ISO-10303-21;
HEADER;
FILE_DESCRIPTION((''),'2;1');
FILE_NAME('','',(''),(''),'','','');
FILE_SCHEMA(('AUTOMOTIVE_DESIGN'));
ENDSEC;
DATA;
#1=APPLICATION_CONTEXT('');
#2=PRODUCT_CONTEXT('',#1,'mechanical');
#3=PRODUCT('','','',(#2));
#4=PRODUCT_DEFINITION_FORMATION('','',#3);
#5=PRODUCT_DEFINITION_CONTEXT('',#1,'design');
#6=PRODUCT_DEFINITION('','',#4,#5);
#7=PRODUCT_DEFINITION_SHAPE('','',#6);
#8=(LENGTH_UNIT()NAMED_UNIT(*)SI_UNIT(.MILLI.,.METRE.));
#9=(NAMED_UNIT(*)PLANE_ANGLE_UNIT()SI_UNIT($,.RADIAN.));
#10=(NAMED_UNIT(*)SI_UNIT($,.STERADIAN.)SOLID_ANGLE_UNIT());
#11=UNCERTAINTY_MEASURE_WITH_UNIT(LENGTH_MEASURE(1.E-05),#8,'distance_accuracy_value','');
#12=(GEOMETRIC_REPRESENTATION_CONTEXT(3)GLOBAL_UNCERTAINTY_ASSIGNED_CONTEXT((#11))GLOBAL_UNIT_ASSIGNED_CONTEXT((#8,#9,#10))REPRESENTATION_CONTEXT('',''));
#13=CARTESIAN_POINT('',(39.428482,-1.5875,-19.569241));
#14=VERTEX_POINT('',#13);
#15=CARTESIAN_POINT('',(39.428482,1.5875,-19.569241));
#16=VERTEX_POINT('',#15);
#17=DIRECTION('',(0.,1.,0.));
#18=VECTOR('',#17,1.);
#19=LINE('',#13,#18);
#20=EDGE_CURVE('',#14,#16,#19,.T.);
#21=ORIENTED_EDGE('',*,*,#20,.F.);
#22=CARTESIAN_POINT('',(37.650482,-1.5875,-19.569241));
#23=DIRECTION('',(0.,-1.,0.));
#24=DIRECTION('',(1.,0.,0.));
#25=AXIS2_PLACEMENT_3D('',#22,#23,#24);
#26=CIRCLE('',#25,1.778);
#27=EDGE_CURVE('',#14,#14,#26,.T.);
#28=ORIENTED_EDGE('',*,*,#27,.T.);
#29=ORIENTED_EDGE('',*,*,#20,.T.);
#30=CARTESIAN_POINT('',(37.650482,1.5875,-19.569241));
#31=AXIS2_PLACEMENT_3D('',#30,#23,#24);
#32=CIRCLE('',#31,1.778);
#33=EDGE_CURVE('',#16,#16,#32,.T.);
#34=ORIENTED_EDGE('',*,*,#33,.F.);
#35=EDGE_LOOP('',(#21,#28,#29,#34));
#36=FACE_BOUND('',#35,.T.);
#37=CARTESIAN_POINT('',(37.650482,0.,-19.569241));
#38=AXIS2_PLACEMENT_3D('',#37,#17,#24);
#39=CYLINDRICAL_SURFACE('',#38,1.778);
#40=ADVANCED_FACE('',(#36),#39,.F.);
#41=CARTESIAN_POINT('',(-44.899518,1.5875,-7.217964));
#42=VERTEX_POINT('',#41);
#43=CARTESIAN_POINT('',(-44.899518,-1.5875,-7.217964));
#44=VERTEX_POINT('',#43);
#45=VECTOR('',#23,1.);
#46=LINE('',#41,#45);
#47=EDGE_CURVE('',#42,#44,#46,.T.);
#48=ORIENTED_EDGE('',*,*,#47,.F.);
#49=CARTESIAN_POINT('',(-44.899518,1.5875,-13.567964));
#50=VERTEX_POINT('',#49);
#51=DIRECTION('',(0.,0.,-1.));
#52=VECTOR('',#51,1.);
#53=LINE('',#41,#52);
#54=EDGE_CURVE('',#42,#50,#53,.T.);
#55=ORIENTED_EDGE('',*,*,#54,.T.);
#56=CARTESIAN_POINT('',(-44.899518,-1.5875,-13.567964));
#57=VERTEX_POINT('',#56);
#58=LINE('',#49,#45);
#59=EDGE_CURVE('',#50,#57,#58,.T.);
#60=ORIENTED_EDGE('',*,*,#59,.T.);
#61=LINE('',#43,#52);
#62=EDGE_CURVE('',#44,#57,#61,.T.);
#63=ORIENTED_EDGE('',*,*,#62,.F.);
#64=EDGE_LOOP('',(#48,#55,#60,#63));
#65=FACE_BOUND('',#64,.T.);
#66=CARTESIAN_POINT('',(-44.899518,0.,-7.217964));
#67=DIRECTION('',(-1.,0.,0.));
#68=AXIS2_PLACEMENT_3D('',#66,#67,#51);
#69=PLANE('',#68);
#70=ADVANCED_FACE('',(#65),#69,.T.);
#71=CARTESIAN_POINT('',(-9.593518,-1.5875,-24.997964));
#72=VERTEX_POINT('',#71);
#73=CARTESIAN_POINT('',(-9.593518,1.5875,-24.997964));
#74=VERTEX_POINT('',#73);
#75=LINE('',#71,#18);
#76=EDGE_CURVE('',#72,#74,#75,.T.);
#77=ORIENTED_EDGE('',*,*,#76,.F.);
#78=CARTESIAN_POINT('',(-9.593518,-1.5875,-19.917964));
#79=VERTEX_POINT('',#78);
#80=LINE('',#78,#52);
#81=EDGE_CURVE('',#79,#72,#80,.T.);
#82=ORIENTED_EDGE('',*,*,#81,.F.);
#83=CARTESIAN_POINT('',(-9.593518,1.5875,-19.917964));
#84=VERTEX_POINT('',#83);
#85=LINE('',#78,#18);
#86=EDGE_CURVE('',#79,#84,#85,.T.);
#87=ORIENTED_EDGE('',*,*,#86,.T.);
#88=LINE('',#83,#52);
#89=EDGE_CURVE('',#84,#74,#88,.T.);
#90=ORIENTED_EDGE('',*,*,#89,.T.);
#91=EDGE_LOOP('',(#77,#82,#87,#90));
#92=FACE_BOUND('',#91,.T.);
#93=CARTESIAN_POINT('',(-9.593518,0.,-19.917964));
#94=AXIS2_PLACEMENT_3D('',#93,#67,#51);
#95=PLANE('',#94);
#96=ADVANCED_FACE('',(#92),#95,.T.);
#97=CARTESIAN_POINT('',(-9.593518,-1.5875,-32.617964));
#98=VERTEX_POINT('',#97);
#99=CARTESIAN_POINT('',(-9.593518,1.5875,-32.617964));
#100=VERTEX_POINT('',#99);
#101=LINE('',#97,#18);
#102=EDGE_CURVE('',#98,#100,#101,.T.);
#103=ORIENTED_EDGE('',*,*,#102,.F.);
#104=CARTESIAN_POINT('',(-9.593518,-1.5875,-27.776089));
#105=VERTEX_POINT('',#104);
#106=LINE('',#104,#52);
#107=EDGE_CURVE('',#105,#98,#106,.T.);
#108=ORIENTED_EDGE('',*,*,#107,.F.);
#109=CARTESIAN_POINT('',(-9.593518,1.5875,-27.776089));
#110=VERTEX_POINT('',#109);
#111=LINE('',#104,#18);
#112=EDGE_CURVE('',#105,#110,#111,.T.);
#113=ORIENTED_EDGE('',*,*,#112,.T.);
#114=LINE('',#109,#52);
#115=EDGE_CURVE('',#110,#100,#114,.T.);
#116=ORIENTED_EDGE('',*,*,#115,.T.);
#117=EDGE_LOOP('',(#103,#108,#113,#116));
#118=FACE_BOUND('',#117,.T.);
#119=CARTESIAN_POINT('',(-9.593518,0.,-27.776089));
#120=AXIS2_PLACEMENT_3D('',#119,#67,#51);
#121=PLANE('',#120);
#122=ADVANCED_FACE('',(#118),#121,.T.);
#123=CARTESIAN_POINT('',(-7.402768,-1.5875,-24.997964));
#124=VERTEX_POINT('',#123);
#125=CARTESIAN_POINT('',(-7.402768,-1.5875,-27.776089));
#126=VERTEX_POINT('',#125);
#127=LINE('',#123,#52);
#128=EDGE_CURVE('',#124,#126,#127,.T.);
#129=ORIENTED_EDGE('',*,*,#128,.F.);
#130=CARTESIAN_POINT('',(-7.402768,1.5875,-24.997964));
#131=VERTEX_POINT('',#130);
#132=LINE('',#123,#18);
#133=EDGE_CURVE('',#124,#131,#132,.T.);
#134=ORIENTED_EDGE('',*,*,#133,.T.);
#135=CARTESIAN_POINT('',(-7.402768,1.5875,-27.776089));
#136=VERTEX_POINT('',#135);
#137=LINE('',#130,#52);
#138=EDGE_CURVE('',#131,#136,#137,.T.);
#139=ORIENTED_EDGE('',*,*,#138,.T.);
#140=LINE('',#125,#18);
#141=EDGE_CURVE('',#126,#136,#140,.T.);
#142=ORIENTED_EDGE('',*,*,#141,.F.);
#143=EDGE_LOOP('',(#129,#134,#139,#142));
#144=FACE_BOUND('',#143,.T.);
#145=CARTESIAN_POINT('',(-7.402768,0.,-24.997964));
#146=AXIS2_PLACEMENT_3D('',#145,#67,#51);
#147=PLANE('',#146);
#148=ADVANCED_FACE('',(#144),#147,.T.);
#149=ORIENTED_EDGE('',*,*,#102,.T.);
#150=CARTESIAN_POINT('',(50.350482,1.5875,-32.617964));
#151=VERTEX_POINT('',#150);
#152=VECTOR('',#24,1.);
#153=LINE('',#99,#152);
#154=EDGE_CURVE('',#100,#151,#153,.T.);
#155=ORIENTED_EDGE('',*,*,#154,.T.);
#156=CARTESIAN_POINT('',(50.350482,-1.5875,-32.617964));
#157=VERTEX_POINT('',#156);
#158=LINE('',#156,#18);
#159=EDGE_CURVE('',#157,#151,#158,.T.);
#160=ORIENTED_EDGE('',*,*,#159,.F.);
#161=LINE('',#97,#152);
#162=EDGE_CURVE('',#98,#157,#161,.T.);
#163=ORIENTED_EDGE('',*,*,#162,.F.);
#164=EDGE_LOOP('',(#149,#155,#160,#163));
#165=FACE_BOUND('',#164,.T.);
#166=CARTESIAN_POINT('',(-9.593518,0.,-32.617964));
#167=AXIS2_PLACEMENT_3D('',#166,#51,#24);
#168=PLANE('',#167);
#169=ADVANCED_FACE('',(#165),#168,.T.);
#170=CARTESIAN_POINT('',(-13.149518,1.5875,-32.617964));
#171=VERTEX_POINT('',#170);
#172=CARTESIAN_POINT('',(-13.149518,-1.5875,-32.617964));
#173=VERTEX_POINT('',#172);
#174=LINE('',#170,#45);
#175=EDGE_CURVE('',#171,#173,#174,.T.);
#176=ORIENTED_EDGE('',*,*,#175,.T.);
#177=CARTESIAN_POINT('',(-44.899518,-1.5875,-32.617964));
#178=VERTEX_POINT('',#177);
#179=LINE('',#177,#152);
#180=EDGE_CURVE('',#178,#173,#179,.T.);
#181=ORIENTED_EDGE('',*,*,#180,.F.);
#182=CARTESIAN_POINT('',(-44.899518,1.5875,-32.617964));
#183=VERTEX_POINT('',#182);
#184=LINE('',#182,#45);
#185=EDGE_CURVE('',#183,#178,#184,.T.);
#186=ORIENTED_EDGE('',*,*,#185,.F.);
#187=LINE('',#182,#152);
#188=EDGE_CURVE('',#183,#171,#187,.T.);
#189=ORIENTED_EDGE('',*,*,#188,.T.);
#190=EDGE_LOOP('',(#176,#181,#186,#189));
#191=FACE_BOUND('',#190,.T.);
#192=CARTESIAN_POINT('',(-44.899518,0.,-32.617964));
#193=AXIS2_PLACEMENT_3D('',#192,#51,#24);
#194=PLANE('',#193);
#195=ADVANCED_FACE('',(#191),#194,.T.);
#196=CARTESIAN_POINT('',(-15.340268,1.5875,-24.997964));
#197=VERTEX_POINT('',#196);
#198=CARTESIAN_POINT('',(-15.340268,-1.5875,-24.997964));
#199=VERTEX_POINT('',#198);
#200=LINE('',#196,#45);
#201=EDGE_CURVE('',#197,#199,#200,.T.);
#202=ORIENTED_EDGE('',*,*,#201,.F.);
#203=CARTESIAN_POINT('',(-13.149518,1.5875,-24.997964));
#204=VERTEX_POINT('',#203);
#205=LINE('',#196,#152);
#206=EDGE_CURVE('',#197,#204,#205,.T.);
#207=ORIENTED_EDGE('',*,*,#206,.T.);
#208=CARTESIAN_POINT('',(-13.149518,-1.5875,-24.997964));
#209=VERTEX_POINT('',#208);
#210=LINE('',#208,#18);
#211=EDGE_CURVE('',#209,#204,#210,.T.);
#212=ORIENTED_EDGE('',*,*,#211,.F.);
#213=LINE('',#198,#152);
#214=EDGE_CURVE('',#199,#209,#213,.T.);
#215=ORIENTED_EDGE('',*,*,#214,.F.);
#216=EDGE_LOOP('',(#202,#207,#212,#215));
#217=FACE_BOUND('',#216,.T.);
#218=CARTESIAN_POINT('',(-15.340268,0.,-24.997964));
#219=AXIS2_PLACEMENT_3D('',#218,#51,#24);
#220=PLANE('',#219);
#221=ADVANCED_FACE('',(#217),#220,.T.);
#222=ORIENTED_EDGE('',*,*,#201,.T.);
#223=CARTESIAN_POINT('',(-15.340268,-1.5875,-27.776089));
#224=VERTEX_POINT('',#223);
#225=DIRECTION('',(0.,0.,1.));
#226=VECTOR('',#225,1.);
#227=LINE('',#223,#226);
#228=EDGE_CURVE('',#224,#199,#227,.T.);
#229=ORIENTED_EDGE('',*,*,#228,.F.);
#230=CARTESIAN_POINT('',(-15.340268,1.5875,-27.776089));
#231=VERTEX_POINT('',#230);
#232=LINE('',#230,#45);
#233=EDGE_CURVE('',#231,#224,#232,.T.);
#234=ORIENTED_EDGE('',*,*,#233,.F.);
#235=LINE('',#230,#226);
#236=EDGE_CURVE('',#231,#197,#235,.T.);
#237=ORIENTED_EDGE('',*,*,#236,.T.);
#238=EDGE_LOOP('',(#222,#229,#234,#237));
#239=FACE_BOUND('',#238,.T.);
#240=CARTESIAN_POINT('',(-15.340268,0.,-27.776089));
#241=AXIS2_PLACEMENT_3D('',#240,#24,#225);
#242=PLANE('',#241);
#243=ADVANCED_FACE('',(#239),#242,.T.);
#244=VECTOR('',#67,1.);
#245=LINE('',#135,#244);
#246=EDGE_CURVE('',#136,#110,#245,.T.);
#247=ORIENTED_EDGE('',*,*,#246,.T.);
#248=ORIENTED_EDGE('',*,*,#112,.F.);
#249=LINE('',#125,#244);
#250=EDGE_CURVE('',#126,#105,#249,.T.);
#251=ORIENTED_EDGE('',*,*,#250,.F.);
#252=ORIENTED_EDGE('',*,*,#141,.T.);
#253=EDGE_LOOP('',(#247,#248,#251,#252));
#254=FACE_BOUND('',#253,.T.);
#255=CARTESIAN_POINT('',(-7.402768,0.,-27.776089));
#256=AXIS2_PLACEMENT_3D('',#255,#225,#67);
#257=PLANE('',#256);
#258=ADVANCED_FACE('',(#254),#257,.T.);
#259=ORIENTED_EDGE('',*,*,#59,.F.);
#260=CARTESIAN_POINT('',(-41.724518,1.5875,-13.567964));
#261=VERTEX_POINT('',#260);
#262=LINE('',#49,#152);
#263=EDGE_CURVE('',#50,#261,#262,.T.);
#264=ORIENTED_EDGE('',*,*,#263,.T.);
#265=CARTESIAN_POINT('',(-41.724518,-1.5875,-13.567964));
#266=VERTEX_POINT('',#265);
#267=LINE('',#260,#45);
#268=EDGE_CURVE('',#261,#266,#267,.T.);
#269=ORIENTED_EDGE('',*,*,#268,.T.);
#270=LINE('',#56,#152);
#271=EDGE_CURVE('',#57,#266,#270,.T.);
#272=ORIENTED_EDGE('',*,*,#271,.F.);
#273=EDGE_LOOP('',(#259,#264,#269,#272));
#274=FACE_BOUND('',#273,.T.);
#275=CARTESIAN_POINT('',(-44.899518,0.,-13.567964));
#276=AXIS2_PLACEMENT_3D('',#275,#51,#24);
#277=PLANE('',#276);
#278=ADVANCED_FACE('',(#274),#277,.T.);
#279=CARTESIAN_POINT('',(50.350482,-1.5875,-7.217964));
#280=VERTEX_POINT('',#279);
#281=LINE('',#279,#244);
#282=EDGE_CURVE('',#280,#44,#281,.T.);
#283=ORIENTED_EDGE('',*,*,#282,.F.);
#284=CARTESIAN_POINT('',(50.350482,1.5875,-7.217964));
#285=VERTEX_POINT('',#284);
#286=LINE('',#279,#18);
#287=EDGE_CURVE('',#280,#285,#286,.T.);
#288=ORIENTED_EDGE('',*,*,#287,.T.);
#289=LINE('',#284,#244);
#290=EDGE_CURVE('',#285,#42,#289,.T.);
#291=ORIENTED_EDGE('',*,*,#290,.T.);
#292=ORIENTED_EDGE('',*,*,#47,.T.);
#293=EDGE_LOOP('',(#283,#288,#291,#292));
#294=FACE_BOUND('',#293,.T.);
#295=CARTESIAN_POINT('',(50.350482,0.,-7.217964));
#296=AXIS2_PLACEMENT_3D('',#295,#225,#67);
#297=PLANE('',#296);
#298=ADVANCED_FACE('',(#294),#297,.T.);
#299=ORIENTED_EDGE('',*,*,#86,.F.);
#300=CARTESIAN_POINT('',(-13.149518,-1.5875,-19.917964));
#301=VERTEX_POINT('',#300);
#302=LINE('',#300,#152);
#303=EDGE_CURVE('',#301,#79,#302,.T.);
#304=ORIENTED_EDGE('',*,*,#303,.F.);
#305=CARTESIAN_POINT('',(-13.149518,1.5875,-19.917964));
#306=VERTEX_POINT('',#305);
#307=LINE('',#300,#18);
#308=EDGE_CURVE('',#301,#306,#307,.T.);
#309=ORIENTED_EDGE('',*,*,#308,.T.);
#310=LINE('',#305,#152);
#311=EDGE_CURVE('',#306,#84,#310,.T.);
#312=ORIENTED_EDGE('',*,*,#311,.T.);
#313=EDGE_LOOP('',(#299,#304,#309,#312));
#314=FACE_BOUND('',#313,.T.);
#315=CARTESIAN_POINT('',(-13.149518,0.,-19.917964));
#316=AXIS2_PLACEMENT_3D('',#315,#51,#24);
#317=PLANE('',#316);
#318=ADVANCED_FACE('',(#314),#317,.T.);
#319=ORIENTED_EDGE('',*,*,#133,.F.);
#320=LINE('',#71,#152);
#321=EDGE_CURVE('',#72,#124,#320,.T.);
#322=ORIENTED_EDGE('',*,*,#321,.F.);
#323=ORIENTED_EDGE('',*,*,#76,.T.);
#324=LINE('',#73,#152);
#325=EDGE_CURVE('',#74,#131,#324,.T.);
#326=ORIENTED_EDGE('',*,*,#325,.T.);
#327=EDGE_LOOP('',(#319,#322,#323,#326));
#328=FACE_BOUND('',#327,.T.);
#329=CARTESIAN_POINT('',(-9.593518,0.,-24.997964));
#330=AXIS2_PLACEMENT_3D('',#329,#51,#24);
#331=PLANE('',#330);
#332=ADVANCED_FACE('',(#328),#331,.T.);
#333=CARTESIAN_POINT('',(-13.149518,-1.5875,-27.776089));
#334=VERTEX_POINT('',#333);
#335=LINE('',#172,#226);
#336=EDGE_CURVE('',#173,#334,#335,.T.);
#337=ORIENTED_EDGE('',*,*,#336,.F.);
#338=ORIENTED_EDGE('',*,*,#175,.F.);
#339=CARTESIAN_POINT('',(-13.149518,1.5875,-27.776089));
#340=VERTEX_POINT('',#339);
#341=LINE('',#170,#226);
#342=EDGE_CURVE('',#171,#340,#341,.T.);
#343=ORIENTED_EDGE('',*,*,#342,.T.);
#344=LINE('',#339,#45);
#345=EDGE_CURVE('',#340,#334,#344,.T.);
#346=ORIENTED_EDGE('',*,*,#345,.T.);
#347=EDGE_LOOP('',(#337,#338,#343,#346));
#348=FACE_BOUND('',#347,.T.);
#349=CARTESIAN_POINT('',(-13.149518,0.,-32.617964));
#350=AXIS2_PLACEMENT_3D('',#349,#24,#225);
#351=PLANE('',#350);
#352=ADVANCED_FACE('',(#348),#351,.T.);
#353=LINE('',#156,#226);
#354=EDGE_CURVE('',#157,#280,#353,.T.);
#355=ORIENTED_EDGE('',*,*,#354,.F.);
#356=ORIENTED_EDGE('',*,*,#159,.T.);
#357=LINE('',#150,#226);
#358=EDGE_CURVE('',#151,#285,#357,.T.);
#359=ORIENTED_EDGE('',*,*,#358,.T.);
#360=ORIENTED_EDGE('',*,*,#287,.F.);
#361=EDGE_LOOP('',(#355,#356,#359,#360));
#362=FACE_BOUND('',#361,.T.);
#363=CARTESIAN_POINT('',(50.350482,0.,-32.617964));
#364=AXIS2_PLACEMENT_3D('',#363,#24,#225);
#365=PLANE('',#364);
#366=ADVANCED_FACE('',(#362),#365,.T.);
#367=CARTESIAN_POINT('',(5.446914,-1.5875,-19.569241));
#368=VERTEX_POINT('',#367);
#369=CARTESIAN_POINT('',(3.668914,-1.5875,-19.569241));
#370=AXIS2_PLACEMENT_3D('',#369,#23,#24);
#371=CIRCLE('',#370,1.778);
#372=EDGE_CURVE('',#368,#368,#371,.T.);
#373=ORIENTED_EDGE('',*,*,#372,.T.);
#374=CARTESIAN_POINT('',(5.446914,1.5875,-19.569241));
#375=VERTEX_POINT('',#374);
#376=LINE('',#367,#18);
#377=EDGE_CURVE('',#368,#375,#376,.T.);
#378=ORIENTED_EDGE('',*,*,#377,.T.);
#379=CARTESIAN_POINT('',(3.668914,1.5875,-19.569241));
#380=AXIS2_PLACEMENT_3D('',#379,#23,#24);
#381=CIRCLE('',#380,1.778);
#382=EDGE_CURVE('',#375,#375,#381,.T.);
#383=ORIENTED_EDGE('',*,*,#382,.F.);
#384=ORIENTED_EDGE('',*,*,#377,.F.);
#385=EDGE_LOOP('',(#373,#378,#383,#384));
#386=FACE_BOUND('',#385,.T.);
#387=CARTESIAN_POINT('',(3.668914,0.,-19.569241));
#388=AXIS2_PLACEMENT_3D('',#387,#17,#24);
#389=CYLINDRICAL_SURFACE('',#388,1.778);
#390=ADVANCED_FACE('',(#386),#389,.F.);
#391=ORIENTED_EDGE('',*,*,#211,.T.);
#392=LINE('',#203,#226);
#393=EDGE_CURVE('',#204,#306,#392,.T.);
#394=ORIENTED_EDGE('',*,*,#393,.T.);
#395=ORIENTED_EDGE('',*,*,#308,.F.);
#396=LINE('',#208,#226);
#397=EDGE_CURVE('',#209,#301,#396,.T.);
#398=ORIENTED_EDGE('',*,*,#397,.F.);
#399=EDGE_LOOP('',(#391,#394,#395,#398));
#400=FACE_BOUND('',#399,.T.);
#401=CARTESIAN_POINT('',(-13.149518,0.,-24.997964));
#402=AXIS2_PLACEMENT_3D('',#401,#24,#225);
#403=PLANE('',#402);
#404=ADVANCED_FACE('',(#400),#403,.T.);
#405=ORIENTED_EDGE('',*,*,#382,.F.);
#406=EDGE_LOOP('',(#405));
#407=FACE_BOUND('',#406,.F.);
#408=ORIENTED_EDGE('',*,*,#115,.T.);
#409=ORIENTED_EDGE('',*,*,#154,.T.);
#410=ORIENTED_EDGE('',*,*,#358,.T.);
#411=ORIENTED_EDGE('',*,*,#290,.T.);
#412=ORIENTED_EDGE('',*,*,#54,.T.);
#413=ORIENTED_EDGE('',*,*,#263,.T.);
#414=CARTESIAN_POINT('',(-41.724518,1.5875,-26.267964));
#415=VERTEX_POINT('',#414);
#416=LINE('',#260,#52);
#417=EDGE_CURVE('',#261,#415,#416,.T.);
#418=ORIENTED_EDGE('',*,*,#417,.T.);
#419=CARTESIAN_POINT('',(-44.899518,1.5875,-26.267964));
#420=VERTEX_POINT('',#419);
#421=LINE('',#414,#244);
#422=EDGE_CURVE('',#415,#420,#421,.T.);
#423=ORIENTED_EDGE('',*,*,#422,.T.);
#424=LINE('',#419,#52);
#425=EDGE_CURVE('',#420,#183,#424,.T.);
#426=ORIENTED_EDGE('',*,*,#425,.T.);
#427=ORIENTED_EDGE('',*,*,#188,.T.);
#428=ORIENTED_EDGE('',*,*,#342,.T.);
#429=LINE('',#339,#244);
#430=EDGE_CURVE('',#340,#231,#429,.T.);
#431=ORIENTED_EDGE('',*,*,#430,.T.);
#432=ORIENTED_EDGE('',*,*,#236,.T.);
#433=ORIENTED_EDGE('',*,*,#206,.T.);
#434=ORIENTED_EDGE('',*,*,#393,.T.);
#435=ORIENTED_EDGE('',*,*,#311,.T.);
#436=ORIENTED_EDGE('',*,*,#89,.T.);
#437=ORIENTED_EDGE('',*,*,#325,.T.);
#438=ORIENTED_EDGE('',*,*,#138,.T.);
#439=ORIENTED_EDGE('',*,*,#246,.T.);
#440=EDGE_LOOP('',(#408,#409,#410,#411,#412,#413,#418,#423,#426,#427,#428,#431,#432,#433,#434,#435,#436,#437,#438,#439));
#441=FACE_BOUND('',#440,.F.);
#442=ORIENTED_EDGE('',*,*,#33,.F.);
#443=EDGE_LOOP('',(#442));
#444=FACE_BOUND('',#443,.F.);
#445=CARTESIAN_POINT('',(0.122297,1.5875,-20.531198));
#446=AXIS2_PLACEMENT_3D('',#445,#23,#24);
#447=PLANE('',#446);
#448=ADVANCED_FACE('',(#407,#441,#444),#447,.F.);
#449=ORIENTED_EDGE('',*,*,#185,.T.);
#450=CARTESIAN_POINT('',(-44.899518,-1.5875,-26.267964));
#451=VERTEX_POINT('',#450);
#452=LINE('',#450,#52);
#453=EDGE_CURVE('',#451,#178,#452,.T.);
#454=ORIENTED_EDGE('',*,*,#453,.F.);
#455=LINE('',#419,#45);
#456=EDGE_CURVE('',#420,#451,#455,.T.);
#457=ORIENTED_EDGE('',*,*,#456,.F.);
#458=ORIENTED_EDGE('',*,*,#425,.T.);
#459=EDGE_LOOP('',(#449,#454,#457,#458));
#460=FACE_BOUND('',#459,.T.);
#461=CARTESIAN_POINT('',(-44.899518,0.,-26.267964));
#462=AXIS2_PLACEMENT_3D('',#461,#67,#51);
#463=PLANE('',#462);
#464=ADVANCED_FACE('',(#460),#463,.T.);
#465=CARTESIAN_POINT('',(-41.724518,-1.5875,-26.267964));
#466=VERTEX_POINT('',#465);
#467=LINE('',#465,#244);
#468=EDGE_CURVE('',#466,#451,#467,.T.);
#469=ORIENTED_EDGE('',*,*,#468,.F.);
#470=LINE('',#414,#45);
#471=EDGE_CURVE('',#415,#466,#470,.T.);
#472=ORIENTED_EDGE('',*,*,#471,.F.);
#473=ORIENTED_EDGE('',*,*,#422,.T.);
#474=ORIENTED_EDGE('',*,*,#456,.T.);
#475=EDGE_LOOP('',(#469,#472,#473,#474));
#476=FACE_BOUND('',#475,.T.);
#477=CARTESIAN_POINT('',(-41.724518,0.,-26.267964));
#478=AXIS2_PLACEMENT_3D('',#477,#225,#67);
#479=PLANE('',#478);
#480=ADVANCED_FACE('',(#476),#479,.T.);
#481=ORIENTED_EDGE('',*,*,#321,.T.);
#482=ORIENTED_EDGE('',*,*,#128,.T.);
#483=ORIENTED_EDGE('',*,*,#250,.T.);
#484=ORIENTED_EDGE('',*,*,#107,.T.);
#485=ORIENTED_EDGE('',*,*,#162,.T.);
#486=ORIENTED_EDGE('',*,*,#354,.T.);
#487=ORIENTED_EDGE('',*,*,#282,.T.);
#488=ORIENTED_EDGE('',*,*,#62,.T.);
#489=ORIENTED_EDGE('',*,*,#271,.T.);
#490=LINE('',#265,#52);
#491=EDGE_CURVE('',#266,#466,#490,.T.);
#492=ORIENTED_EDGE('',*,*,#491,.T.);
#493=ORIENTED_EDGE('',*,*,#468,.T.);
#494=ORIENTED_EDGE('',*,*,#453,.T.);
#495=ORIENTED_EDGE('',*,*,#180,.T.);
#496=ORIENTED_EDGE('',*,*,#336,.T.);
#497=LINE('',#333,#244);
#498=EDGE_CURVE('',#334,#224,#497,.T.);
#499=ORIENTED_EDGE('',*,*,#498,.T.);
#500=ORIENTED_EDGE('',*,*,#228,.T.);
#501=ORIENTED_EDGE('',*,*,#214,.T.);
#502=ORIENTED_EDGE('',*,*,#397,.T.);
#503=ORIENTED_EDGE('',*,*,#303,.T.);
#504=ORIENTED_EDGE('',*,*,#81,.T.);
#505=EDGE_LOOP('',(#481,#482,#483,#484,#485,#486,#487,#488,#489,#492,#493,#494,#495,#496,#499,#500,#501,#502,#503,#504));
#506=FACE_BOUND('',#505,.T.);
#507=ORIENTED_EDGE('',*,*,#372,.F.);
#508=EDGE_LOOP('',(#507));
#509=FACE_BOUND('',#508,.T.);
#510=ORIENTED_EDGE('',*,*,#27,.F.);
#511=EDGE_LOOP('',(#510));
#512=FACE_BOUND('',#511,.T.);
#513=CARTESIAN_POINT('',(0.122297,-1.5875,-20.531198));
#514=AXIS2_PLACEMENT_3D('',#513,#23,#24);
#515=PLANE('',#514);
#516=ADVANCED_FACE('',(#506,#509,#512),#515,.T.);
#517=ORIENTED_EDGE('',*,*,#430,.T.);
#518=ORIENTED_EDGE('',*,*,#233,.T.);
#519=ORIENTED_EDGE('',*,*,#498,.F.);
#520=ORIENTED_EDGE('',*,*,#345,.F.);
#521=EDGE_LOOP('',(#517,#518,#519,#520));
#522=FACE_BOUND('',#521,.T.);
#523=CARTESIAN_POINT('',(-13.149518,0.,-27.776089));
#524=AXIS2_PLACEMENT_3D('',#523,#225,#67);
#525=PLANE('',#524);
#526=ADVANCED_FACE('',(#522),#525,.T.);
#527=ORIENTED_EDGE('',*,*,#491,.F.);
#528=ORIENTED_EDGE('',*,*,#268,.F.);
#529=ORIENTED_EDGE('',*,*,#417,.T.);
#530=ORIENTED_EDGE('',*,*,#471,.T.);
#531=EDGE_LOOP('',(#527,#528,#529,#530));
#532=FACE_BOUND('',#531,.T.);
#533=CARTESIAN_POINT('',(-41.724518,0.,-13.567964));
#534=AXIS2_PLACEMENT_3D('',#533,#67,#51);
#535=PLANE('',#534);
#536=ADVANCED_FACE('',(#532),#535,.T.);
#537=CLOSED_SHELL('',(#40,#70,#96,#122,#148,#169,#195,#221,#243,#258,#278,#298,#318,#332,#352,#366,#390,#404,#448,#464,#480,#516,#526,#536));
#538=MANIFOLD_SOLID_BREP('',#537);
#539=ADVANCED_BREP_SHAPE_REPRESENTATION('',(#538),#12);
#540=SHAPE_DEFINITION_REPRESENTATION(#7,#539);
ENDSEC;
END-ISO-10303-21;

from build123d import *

# Parameters (mm, degrees)
F0_R     = 1.778
F1_DEPTH = 1.5875


with BuildPart() as f1:
    # F0 (on Front) → F1 (new body, symmetric)
    with BuildSketch(Plane.XZ):
        Polygon((50.350482, -7.217964), (-44.899518, -7.217964), (-44.899518, -13.567964), (-41.724518, -13.567964), (-41.724518, -26.267964), (-44.899518, -26.267964), (-44.899518, -32.617964), (-13.149518, -32.617964), (-13.149518, -27.776089), (-15.340268, -27.776089), (-15.340268, -24.997964), (-13.149518, -24.997964), (-13.149518, -19.917964), (-9.593518, -19.917964), (-9.593518, -24.997964), (-7.402768, -24.997964), (-7.402768, -27.776089), (-9.593518, -27.776089), (-9.593518, -32.617964), (50.350482, -32.617964), align=None)
        with Locations((3.668914, -19.569241)):
            Circle(F0_R, mode=Mode.SUBTRACT)
        with Locations((37.650482, -19.569241)):
            Circle(F0_R, mode=Mode.SUBTRACT)
    extrude(amount=F1_DEPTH, both=True)


solid = f1.part
